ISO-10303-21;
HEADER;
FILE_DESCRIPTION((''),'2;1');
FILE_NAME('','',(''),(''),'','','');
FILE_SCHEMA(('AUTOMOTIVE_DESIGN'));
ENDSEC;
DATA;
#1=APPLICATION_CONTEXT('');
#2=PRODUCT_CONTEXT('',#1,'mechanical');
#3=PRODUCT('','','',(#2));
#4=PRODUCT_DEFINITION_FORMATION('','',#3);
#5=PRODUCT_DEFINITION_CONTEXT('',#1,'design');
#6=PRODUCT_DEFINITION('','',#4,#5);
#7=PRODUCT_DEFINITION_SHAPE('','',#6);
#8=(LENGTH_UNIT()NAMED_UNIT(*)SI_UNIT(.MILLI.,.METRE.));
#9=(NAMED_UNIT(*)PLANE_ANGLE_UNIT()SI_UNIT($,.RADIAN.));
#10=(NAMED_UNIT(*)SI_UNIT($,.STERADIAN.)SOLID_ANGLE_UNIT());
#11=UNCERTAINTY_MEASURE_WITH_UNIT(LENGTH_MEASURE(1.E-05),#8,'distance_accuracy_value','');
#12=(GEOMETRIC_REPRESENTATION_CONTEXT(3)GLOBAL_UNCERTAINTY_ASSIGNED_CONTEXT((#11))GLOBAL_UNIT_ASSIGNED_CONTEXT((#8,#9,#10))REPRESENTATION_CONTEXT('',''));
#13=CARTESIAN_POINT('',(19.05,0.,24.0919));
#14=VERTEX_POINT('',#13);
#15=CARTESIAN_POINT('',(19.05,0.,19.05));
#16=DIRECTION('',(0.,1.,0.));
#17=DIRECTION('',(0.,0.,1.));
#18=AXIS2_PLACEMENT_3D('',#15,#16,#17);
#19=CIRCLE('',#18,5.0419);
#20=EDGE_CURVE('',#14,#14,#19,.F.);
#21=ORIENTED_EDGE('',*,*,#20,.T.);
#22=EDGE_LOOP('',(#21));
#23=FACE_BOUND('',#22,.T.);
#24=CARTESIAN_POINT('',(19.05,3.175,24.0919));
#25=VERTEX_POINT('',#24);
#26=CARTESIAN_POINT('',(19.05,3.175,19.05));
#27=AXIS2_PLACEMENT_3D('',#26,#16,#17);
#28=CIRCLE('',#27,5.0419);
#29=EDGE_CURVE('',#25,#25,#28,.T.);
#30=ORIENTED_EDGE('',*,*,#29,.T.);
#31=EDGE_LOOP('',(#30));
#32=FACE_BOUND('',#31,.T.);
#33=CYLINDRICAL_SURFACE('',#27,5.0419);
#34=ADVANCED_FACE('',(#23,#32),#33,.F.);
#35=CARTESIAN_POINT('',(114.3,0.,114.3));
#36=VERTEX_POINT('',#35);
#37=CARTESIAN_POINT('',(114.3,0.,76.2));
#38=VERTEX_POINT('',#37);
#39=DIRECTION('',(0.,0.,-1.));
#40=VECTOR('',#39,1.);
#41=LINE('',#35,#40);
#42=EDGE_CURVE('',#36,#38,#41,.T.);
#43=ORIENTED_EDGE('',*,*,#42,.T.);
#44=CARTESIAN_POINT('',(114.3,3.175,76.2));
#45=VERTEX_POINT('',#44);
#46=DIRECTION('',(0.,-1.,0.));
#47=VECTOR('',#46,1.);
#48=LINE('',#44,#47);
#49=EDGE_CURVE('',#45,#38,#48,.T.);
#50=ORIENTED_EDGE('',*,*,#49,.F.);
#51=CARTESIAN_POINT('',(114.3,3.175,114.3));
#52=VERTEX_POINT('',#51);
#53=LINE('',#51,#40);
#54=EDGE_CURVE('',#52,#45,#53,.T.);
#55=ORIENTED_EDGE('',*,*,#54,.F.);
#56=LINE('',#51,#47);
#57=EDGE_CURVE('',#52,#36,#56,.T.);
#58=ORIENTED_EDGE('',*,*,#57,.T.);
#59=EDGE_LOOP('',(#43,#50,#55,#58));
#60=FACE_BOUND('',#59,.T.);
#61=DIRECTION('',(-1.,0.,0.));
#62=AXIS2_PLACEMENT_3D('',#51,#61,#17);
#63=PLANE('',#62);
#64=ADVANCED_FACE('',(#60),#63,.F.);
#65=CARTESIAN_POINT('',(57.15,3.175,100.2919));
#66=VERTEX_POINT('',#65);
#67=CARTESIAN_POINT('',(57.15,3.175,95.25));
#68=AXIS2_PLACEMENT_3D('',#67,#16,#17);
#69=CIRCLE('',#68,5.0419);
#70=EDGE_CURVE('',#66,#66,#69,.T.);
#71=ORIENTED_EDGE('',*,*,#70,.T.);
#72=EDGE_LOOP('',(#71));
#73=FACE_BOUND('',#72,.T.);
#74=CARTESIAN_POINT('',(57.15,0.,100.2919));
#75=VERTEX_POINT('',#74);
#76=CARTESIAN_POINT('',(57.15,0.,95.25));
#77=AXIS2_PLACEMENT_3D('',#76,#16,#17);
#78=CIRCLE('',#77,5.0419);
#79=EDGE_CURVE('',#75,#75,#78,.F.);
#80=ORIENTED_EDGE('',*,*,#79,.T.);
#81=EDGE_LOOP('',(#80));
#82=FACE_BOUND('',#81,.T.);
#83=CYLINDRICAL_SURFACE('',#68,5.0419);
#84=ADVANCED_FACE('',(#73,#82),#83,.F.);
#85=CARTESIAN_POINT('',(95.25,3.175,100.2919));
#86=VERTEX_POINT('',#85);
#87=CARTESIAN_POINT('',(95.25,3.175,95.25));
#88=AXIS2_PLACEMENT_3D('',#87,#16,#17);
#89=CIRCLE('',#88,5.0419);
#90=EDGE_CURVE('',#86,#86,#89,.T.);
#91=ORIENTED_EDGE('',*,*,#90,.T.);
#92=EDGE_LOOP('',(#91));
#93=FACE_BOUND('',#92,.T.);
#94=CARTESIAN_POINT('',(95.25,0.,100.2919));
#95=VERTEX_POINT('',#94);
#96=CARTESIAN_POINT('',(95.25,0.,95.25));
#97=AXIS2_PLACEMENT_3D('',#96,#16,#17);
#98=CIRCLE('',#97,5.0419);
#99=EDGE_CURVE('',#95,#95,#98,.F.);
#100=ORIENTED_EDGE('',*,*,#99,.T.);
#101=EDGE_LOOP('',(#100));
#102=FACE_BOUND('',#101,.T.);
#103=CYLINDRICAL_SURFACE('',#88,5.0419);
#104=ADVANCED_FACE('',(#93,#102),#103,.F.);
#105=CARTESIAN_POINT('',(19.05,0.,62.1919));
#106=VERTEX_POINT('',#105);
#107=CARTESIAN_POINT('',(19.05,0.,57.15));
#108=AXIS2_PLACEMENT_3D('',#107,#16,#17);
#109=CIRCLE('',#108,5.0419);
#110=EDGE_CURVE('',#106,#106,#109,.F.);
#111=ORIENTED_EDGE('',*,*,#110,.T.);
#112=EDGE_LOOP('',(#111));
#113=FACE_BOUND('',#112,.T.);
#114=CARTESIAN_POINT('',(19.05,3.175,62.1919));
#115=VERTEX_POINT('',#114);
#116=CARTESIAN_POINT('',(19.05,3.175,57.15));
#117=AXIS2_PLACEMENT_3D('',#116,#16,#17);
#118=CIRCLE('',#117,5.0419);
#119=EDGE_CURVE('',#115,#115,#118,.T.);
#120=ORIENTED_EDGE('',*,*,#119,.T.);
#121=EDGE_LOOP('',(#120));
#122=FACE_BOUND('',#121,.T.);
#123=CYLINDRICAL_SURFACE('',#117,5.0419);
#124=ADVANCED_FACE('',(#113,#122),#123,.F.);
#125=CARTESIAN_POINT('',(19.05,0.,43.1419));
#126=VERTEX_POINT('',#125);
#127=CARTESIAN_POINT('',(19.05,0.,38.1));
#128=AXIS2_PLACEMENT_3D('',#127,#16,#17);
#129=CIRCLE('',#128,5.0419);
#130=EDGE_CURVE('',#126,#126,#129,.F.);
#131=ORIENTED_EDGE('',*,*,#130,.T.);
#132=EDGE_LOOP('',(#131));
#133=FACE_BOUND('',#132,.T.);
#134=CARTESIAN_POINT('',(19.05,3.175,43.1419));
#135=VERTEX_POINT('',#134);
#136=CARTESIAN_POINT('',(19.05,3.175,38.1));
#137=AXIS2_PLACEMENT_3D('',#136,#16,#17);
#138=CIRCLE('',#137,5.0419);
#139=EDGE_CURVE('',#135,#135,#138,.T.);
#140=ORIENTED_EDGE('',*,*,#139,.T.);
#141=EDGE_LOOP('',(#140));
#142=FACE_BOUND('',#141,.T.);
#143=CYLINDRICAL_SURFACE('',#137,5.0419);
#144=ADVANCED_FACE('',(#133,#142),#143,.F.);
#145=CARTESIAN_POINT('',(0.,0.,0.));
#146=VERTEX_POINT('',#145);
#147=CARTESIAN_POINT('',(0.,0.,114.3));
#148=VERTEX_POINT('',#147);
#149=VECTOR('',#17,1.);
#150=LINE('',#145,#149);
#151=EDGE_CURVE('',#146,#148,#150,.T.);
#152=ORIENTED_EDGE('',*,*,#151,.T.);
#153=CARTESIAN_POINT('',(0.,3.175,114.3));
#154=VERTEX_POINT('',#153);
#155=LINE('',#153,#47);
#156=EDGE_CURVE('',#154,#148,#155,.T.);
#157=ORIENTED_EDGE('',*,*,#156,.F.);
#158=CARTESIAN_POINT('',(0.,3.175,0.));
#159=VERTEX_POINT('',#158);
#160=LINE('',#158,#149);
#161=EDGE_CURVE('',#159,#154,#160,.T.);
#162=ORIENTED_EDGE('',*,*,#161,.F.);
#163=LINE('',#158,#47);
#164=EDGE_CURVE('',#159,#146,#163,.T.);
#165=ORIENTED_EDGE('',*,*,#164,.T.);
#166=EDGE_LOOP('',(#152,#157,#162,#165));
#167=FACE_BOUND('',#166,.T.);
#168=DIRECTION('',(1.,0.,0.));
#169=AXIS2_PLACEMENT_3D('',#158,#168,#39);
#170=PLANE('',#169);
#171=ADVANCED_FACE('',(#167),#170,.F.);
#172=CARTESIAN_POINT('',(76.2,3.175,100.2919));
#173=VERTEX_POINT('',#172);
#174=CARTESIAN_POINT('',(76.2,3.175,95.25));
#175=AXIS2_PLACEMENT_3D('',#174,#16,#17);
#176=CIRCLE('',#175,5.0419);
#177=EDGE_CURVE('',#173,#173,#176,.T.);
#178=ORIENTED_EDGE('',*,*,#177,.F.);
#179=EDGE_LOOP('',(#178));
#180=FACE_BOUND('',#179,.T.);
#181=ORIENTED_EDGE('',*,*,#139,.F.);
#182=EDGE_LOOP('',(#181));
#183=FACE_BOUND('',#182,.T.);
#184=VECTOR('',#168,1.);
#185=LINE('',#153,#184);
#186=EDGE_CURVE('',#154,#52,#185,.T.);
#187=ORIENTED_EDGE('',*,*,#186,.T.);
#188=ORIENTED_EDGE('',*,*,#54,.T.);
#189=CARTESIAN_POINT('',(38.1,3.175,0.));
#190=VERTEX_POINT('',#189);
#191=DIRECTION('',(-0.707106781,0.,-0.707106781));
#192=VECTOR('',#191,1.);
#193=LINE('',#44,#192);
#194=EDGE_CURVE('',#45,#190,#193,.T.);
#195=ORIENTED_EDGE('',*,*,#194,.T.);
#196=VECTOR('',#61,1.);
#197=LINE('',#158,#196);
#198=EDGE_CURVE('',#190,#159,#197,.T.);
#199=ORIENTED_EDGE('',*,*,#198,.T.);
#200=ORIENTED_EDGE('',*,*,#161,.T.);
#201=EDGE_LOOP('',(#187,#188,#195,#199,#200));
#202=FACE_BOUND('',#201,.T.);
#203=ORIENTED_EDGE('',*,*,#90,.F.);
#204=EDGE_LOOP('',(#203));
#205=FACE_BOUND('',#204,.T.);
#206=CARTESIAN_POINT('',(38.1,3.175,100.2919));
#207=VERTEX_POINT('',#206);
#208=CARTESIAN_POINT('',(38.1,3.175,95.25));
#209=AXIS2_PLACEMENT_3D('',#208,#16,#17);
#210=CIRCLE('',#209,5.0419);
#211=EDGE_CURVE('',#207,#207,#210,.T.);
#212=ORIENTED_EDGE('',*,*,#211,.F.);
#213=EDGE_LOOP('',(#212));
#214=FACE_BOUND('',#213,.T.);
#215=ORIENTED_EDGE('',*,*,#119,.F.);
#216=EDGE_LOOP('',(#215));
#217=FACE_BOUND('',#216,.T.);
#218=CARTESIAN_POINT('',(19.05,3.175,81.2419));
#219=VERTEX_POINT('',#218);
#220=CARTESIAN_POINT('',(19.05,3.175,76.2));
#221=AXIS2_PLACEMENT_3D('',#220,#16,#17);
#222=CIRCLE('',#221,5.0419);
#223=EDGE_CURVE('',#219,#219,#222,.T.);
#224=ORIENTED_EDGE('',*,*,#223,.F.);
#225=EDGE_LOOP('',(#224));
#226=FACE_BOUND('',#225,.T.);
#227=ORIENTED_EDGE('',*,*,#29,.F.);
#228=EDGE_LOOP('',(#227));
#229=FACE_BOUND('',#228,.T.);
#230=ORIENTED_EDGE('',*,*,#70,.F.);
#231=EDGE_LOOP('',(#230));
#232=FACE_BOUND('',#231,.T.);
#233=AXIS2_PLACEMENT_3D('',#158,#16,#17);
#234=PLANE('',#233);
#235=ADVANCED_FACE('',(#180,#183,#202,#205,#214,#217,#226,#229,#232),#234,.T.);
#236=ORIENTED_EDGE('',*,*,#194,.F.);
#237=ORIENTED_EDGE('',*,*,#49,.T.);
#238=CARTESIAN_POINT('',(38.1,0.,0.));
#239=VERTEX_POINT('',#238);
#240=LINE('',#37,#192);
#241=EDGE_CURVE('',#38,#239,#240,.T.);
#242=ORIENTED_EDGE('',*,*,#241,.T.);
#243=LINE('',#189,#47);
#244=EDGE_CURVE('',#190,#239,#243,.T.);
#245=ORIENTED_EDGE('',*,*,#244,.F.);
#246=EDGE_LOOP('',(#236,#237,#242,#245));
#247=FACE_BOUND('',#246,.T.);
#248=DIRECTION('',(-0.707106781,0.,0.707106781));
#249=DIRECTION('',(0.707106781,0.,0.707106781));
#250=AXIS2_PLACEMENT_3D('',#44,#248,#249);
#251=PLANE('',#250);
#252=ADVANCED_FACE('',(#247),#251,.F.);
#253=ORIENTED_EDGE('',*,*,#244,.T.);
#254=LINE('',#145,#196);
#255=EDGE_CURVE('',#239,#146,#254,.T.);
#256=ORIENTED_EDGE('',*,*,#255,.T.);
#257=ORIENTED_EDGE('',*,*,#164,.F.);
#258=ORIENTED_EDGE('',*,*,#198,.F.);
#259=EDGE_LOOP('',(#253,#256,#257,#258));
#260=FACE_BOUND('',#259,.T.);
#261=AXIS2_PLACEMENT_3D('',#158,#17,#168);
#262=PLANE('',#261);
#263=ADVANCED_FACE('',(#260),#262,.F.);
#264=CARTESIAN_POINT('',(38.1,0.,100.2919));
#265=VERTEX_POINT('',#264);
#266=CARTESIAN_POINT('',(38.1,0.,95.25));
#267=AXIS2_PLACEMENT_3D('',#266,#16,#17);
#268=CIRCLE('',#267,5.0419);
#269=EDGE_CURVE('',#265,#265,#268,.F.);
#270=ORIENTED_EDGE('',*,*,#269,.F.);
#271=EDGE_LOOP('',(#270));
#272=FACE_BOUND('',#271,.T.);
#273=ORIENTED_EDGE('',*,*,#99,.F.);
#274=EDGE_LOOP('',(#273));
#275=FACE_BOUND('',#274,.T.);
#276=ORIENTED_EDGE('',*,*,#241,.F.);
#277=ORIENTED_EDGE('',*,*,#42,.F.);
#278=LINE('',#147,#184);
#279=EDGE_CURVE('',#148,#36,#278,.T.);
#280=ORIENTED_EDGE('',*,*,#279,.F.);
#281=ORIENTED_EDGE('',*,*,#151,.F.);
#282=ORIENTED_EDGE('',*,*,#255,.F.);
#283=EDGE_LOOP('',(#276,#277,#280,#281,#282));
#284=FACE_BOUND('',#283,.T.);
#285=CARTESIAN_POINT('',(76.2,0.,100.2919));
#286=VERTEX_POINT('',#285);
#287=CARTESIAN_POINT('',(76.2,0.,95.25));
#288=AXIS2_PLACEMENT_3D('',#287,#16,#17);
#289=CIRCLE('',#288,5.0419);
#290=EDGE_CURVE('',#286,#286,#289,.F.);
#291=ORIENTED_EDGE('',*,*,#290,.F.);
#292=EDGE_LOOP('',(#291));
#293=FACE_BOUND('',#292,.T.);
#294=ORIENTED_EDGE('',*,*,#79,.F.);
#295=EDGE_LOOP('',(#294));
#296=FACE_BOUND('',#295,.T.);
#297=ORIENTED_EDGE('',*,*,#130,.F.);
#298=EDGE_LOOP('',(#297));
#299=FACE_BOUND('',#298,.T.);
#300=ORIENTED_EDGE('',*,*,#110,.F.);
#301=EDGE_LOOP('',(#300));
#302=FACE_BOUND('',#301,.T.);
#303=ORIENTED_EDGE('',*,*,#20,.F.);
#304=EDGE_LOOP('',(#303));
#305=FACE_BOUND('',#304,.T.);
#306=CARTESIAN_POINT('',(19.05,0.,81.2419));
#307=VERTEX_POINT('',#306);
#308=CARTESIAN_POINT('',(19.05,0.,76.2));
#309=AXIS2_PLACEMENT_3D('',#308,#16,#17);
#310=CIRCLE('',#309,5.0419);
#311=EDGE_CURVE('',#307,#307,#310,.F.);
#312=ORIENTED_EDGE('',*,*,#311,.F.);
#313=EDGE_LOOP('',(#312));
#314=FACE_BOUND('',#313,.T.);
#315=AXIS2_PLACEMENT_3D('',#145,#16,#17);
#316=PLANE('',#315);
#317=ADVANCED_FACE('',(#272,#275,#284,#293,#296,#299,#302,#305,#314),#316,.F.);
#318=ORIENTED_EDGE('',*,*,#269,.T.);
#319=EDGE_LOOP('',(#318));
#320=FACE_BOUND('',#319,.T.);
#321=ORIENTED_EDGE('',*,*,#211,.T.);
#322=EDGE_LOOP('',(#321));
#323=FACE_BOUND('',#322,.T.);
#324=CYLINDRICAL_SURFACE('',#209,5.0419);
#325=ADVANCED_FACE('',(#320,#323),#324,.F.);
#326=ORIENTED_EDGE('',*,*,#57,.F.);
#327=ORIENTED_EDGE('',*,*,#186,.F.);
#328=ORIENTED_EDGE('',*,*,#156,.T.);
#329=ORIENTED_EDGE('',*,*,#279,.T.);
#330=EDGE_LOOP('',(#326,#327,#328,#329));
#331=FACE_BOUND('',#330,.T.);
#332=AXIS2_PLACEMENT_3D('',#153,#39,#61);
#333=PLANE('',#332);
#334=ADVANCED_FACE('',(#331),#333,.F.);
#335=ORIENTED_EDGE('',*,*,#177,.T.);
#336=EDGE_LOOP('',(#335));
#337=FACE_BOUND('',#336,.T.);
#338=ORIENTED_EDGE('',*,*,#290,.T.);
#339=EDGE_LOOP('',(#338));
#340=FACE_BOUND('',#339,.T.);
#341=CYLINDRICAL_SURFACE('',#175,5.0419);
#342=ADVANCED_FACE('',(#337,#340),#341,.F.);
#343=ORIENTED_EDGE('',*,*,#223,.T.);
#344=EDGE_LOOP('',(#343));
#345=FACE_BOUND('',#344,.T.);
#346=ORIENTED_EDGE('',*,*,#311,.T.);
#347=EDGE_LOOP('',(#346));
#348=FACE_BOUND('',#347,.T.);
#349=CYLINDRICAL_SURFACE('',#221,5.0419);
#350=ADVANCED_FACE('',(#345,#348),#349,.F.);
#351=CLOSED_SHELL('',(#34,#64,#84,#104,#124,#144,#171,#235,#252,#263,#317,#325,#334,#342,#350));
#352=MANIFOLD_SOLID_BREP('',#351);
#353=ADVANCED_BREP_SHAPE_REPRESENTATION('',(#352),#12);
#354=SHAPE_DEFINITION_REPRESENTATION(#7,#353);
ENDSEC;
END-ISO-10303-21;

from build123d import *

# Parameters (mm, degrees)
BOSS_EXTRUDE1_DEPTH         = 3.175
F_3_8_CLEARANCE_HOLE1_D     = 10.0838
F_3_8_CLEARANCE_HOLE1_DEPTH = 3.175
F_3_8_CLEARANCE_HOLE1_TIP   = 3.029479155


with BuildPart() as part:
    # Sketch1 → Boss-Extrude1 (new body)
    with BuildSketch(Plane(origin=(0, 0, 0), x_dir=(1, 0, 0), z_dir=(0, 1, 0))):
        Polygon((0, 0), (38.1, 0), (114.3, -76.2), (114.3, -114.3), (0, -114.3), align=None)
    extrude(amount=BOSS_EXTRUDE1_DEPTH)

    # 3/8 Clearance Hole1
    with Locations(Plane(origin=(0, 3.175, 0), x_dir=(1, 0, 0), z_dir=(0, 1, 0))):
        with Locations((19.05, -19.05), (19.05, -38.1), (19.05, -57.15), (19.05, -76.2), (38.1, -95.25), (57.15, -95.25), (76.2, -95.25), (95.25, -95.25)):
            Hole(F_3_8_CLEARANCE_HOLE1_D / 2, depth=F_3_8_CLEARANCE_HOLE1_DEPTH)
            with Locations((0, 0, -(F_3_8_CLEARANCE_HOLE1_DEPTH + F_3_8_CLEARANCE_HOLE1_TIP / 2))):  # 118° drill point
                Cone(0, F_3_8_CLEARANCE_HOLE1_D / 2, F_3_8_CLEARANCE_HOLE1_TIP, mode=Mode.SUBTRACT)


solid = part.part
